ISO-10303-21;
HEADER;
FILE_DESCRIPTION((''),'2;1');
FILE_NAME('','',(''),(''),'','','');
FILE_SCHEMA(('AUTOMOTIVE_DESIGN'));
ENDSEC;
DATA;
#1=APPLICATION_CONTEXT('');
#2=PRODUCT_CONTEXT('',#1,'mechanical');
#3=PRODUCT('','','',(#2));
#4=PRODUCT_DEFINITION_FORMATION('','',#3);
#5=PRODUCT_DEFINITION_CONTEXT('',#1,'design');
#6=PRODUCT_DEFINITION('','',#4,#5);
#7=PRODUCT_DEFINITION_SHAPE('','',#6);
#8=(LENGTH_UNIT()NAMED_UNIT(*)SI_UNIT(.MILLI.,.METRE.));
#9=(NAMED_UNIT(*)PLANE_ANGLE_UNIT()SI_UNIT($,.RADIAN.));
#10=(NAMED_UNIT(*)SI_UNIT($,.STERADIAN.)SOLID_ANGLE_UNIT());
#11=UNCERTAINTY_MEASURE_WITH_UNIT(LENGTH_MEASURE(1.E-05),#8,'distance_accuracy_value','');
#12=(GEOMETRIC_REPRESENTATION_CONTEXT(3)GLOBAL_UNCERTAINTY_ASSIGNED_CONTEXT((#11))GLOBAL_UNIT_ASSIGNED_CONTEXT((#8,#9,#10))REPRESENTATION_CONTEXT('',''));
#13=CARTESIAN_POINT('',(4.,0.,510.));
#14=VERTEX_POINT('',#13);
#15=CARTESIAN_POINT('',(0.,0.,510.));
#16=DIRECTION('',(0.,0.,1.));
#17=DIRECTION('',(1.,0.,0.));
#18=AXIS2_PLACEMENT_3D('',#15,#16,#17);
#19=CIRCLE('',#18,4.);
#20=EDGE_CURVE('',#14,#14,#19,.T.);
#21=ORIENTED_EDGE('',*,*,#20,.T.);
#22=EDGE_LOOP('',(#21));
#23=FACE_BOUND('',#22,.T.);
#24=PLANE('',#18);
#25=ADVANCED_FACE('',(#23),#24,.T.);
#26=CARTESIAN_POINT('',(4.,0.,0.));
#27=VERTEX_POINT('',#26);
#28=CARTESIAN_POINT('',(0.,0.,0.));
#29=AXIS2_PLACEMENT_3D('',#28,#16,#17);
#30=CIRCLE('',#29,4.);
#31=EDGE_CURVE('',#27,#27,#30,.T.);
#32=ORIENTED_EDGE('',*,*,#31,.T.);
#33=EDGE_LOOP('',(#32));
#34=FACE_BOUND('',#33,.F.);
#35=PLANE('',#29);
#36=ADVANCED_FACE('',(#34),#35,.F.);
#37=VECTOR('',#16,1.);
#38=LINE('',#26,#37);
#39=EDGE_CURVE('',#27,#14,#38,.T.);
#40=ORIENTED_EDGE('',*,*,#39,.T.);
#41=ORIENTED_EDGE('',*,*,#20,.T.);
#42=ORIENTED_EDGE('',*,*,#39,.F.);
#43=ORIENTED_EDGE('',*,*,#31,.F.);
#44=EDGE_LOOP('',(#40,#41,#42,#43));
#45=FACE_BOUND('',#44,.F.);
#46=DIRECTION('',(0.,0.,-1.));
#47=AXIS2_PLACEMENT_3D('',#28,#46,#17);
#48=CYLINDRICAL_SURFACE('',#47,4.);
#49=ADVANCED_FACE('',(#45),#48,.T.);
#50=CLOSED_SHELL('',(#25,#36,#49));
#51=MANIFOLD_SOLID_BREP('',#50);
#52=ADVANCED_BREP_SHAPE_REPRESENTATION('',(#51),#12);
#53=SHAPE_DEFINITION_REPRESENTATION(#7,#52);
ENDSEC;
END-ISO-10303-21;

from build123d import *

# Parameters (mm, degrees)
CYLINDER_R     = 4
CYLINDER_DEPTH = 510


with BuildPart() as part:
    # Cylinder → Cylinder (new body)
    with BuildSketch(Plane.XY):
        Circle(CYLINDER_R)
    extrude(amount=CYLINDER_DEPTH)


solid = part.part
